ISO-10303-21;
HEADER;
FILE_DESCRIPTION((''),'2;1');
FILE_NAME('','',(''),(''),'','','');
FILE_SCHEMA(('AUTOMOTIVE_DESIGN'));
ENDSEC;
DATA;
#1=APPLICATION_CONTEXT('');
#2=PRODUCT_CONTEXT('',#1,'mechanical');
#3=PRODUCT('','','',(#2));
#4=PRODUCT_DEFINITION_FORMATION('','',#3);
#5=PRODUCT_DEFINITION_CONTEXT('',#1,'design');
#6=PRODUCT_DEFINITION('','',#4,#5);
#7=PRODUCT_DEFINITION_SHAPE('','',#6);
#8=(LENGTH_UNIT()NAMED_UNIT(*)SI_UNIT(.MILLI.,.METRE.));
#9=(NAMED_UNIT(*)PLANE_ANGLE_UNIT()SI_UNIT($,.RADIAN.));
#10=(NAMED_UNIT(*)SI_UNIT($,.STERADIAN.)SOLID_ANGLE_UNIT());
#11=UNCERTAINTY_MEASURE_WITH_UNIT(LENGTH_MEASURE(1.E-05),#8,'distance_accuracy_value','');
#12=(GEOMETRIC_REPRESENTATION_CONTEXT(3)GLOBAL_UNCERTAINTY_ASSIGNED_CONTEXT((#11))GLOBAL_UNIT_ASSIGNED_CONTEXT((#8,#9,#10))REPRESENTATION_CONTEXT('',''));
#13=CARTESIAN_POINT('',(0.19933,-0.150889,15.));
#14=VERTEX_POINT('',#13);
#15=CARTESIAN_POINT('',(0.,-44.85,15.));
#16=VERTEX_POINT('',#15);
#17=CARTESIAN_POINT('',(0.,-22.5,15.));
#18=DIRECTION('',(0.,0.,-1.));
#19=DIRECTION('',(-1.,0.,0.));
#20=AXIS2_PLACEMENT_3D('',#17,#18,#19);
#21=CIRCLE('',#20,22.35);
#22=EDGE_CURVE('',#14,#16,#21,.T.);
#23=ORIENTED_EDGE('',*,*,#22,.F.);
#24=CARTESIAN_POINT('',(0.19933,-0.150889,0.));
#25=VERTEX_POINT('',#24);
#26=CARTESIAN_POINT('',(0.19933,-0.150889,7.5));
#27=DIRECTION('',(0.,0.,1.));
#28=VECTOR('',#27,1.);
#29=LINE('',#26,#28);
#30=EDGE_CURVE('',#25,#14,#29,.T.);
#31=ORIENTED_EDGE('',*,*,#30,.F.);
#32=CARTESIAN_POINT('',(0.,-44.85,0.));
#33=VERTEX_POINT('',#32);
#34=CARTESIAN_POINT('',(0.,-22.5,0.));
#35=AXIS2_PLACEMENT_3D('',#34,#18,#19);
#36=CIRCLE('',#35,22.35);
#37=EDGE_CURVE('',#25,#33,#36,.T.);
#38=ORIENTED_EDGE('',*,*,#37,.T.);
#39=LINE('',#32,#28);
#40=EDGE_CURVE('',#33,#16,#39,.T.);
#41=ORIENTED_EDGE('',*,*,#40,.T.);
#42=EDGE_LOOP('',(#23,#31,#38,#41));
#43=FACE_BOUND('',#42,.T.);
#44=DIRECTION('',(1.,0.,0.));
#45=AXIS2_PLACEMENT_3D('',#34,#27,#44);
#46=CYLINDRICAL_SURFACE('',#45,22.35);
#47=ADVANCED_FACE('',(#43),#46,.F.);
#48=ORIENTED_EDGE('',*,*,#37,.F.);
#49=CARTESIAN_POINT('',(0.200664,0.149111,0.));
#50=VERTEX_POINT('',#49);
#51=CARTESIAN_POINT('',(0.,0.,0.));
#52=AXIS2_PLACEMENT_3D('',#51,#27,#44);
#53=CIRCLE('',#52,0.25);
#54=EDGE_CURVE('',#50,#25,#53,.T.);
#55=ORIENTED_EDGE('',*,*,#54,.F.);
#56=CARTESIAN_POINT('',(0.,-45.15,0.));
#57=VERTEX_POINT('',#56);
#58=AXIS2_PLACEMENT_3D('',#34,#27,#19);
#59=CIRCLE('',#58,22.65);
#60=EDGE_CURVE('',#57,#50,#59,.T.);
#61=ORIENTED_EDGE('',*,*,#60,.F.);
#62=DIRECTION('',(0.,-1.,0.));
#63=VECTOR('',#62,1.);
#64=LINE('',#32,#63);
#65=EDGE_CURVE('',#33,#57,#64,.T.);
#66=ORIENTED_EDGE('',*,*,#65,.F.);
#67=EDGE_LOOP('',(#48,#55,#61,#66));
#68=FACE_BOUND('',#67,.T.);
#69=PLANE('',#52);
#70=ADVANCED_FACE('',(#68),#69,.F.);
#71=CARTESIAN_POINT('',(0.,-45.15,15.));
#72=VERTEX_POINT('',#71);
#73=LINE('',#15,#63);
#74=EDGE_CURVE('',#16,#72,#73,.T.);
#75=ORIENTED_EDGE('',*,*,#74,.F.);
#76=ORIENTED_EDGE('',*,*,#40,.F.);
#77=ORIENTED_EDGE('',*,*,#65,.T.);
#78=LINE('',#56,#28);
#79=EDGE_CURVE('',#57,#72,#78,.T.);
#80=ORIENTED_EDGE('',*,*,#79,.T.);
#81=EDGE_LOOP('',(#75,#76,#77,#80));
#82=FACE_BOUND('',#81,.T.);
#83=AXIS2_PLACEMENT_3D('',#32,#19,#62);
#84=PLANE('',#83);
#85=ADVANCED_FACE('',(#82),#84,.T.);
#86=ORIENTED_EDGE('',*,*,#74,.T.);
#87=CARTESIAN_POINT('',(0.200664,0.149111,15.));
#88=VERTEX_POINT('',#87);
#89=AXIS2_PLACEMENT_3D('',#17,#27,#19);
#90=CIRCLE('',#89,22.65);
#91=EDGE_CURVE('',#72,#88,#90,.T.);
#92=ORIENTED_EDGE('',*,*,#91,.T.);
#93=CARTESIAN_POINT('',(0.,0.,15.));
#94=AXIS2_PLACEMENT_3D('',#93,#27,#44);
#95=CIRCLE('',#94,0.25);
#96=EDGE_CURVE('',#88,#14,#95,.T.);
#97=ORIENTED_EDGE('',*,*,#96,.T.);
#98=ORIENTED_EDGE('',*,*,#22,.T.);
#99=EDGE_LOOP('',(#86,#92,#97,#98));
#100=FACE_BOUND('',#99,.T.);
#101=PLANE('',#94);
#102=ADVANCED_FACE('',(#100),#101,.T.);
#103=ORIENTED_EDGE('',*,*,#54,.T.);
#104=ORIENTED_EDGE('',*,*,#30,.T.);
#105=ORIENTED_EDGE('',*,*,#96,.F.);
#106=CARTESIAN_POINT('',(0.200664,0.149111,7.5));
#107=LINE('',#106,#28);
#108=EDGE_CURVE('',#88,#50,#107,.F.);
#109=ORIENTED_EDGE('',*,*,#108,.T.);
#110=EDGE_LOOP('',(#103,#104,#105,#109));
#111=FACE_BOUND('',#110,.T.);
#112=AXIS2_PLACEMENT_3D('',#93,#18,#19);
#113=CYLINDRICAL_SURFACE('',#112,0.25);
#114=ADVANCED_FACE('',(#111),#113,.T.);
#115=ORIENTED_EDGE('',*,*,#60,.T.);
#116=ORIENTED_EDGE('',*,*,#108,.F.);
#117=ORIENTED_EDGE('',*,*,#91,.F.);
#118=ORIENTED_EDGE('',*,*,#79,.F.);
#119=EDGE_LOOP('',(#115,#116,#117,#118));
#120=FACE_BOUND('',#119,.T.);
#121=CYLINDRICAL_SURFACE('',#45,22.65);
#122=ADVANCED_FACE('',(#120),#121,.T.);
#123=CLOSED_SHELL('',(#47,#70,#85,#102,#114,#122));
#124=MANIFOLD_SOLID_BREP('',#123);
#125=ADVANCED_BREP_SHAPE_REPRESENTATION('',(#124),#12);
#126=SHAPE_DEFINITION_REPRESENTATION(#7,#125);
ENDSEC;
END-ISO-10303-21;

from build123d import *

# Parameters (mm, degrees)
SKETCH_1_R      = 0.25
EXTRUDE_1_DEPTH = 15
EXTRUDE_2_DEPTH = 15


with BuildPart() as part:
    # ｽｹｯﾁ1 → ﾎﾞｽ - 押し出し1 (new body)
    with BuildSketch(Plane.XY):
        Circle(SKETCH_1_R)
    extrude(amount=EXTRUDE_1_DEPTH)

    # ｽｹｯﾁ2 → ﾎﾞｽ - 押し出し2 (add)
    with BuildSketch(Plane.XY.offset(15)):
        with BuildLine():
            Line((0, -44.85), (0, -45.15))
            ThreePointArc((0, -45.15), (22.65, -22.5), (0, 0.15))
            Line((0, 0.15), (0, -0.15))
            ThreePointArc((0, -0.15), (22.35, -22.5), (0, -44.85))
        make_face()
    extrude(amount=-EXTRUDE_2_DEPTH)


solid = part.part
